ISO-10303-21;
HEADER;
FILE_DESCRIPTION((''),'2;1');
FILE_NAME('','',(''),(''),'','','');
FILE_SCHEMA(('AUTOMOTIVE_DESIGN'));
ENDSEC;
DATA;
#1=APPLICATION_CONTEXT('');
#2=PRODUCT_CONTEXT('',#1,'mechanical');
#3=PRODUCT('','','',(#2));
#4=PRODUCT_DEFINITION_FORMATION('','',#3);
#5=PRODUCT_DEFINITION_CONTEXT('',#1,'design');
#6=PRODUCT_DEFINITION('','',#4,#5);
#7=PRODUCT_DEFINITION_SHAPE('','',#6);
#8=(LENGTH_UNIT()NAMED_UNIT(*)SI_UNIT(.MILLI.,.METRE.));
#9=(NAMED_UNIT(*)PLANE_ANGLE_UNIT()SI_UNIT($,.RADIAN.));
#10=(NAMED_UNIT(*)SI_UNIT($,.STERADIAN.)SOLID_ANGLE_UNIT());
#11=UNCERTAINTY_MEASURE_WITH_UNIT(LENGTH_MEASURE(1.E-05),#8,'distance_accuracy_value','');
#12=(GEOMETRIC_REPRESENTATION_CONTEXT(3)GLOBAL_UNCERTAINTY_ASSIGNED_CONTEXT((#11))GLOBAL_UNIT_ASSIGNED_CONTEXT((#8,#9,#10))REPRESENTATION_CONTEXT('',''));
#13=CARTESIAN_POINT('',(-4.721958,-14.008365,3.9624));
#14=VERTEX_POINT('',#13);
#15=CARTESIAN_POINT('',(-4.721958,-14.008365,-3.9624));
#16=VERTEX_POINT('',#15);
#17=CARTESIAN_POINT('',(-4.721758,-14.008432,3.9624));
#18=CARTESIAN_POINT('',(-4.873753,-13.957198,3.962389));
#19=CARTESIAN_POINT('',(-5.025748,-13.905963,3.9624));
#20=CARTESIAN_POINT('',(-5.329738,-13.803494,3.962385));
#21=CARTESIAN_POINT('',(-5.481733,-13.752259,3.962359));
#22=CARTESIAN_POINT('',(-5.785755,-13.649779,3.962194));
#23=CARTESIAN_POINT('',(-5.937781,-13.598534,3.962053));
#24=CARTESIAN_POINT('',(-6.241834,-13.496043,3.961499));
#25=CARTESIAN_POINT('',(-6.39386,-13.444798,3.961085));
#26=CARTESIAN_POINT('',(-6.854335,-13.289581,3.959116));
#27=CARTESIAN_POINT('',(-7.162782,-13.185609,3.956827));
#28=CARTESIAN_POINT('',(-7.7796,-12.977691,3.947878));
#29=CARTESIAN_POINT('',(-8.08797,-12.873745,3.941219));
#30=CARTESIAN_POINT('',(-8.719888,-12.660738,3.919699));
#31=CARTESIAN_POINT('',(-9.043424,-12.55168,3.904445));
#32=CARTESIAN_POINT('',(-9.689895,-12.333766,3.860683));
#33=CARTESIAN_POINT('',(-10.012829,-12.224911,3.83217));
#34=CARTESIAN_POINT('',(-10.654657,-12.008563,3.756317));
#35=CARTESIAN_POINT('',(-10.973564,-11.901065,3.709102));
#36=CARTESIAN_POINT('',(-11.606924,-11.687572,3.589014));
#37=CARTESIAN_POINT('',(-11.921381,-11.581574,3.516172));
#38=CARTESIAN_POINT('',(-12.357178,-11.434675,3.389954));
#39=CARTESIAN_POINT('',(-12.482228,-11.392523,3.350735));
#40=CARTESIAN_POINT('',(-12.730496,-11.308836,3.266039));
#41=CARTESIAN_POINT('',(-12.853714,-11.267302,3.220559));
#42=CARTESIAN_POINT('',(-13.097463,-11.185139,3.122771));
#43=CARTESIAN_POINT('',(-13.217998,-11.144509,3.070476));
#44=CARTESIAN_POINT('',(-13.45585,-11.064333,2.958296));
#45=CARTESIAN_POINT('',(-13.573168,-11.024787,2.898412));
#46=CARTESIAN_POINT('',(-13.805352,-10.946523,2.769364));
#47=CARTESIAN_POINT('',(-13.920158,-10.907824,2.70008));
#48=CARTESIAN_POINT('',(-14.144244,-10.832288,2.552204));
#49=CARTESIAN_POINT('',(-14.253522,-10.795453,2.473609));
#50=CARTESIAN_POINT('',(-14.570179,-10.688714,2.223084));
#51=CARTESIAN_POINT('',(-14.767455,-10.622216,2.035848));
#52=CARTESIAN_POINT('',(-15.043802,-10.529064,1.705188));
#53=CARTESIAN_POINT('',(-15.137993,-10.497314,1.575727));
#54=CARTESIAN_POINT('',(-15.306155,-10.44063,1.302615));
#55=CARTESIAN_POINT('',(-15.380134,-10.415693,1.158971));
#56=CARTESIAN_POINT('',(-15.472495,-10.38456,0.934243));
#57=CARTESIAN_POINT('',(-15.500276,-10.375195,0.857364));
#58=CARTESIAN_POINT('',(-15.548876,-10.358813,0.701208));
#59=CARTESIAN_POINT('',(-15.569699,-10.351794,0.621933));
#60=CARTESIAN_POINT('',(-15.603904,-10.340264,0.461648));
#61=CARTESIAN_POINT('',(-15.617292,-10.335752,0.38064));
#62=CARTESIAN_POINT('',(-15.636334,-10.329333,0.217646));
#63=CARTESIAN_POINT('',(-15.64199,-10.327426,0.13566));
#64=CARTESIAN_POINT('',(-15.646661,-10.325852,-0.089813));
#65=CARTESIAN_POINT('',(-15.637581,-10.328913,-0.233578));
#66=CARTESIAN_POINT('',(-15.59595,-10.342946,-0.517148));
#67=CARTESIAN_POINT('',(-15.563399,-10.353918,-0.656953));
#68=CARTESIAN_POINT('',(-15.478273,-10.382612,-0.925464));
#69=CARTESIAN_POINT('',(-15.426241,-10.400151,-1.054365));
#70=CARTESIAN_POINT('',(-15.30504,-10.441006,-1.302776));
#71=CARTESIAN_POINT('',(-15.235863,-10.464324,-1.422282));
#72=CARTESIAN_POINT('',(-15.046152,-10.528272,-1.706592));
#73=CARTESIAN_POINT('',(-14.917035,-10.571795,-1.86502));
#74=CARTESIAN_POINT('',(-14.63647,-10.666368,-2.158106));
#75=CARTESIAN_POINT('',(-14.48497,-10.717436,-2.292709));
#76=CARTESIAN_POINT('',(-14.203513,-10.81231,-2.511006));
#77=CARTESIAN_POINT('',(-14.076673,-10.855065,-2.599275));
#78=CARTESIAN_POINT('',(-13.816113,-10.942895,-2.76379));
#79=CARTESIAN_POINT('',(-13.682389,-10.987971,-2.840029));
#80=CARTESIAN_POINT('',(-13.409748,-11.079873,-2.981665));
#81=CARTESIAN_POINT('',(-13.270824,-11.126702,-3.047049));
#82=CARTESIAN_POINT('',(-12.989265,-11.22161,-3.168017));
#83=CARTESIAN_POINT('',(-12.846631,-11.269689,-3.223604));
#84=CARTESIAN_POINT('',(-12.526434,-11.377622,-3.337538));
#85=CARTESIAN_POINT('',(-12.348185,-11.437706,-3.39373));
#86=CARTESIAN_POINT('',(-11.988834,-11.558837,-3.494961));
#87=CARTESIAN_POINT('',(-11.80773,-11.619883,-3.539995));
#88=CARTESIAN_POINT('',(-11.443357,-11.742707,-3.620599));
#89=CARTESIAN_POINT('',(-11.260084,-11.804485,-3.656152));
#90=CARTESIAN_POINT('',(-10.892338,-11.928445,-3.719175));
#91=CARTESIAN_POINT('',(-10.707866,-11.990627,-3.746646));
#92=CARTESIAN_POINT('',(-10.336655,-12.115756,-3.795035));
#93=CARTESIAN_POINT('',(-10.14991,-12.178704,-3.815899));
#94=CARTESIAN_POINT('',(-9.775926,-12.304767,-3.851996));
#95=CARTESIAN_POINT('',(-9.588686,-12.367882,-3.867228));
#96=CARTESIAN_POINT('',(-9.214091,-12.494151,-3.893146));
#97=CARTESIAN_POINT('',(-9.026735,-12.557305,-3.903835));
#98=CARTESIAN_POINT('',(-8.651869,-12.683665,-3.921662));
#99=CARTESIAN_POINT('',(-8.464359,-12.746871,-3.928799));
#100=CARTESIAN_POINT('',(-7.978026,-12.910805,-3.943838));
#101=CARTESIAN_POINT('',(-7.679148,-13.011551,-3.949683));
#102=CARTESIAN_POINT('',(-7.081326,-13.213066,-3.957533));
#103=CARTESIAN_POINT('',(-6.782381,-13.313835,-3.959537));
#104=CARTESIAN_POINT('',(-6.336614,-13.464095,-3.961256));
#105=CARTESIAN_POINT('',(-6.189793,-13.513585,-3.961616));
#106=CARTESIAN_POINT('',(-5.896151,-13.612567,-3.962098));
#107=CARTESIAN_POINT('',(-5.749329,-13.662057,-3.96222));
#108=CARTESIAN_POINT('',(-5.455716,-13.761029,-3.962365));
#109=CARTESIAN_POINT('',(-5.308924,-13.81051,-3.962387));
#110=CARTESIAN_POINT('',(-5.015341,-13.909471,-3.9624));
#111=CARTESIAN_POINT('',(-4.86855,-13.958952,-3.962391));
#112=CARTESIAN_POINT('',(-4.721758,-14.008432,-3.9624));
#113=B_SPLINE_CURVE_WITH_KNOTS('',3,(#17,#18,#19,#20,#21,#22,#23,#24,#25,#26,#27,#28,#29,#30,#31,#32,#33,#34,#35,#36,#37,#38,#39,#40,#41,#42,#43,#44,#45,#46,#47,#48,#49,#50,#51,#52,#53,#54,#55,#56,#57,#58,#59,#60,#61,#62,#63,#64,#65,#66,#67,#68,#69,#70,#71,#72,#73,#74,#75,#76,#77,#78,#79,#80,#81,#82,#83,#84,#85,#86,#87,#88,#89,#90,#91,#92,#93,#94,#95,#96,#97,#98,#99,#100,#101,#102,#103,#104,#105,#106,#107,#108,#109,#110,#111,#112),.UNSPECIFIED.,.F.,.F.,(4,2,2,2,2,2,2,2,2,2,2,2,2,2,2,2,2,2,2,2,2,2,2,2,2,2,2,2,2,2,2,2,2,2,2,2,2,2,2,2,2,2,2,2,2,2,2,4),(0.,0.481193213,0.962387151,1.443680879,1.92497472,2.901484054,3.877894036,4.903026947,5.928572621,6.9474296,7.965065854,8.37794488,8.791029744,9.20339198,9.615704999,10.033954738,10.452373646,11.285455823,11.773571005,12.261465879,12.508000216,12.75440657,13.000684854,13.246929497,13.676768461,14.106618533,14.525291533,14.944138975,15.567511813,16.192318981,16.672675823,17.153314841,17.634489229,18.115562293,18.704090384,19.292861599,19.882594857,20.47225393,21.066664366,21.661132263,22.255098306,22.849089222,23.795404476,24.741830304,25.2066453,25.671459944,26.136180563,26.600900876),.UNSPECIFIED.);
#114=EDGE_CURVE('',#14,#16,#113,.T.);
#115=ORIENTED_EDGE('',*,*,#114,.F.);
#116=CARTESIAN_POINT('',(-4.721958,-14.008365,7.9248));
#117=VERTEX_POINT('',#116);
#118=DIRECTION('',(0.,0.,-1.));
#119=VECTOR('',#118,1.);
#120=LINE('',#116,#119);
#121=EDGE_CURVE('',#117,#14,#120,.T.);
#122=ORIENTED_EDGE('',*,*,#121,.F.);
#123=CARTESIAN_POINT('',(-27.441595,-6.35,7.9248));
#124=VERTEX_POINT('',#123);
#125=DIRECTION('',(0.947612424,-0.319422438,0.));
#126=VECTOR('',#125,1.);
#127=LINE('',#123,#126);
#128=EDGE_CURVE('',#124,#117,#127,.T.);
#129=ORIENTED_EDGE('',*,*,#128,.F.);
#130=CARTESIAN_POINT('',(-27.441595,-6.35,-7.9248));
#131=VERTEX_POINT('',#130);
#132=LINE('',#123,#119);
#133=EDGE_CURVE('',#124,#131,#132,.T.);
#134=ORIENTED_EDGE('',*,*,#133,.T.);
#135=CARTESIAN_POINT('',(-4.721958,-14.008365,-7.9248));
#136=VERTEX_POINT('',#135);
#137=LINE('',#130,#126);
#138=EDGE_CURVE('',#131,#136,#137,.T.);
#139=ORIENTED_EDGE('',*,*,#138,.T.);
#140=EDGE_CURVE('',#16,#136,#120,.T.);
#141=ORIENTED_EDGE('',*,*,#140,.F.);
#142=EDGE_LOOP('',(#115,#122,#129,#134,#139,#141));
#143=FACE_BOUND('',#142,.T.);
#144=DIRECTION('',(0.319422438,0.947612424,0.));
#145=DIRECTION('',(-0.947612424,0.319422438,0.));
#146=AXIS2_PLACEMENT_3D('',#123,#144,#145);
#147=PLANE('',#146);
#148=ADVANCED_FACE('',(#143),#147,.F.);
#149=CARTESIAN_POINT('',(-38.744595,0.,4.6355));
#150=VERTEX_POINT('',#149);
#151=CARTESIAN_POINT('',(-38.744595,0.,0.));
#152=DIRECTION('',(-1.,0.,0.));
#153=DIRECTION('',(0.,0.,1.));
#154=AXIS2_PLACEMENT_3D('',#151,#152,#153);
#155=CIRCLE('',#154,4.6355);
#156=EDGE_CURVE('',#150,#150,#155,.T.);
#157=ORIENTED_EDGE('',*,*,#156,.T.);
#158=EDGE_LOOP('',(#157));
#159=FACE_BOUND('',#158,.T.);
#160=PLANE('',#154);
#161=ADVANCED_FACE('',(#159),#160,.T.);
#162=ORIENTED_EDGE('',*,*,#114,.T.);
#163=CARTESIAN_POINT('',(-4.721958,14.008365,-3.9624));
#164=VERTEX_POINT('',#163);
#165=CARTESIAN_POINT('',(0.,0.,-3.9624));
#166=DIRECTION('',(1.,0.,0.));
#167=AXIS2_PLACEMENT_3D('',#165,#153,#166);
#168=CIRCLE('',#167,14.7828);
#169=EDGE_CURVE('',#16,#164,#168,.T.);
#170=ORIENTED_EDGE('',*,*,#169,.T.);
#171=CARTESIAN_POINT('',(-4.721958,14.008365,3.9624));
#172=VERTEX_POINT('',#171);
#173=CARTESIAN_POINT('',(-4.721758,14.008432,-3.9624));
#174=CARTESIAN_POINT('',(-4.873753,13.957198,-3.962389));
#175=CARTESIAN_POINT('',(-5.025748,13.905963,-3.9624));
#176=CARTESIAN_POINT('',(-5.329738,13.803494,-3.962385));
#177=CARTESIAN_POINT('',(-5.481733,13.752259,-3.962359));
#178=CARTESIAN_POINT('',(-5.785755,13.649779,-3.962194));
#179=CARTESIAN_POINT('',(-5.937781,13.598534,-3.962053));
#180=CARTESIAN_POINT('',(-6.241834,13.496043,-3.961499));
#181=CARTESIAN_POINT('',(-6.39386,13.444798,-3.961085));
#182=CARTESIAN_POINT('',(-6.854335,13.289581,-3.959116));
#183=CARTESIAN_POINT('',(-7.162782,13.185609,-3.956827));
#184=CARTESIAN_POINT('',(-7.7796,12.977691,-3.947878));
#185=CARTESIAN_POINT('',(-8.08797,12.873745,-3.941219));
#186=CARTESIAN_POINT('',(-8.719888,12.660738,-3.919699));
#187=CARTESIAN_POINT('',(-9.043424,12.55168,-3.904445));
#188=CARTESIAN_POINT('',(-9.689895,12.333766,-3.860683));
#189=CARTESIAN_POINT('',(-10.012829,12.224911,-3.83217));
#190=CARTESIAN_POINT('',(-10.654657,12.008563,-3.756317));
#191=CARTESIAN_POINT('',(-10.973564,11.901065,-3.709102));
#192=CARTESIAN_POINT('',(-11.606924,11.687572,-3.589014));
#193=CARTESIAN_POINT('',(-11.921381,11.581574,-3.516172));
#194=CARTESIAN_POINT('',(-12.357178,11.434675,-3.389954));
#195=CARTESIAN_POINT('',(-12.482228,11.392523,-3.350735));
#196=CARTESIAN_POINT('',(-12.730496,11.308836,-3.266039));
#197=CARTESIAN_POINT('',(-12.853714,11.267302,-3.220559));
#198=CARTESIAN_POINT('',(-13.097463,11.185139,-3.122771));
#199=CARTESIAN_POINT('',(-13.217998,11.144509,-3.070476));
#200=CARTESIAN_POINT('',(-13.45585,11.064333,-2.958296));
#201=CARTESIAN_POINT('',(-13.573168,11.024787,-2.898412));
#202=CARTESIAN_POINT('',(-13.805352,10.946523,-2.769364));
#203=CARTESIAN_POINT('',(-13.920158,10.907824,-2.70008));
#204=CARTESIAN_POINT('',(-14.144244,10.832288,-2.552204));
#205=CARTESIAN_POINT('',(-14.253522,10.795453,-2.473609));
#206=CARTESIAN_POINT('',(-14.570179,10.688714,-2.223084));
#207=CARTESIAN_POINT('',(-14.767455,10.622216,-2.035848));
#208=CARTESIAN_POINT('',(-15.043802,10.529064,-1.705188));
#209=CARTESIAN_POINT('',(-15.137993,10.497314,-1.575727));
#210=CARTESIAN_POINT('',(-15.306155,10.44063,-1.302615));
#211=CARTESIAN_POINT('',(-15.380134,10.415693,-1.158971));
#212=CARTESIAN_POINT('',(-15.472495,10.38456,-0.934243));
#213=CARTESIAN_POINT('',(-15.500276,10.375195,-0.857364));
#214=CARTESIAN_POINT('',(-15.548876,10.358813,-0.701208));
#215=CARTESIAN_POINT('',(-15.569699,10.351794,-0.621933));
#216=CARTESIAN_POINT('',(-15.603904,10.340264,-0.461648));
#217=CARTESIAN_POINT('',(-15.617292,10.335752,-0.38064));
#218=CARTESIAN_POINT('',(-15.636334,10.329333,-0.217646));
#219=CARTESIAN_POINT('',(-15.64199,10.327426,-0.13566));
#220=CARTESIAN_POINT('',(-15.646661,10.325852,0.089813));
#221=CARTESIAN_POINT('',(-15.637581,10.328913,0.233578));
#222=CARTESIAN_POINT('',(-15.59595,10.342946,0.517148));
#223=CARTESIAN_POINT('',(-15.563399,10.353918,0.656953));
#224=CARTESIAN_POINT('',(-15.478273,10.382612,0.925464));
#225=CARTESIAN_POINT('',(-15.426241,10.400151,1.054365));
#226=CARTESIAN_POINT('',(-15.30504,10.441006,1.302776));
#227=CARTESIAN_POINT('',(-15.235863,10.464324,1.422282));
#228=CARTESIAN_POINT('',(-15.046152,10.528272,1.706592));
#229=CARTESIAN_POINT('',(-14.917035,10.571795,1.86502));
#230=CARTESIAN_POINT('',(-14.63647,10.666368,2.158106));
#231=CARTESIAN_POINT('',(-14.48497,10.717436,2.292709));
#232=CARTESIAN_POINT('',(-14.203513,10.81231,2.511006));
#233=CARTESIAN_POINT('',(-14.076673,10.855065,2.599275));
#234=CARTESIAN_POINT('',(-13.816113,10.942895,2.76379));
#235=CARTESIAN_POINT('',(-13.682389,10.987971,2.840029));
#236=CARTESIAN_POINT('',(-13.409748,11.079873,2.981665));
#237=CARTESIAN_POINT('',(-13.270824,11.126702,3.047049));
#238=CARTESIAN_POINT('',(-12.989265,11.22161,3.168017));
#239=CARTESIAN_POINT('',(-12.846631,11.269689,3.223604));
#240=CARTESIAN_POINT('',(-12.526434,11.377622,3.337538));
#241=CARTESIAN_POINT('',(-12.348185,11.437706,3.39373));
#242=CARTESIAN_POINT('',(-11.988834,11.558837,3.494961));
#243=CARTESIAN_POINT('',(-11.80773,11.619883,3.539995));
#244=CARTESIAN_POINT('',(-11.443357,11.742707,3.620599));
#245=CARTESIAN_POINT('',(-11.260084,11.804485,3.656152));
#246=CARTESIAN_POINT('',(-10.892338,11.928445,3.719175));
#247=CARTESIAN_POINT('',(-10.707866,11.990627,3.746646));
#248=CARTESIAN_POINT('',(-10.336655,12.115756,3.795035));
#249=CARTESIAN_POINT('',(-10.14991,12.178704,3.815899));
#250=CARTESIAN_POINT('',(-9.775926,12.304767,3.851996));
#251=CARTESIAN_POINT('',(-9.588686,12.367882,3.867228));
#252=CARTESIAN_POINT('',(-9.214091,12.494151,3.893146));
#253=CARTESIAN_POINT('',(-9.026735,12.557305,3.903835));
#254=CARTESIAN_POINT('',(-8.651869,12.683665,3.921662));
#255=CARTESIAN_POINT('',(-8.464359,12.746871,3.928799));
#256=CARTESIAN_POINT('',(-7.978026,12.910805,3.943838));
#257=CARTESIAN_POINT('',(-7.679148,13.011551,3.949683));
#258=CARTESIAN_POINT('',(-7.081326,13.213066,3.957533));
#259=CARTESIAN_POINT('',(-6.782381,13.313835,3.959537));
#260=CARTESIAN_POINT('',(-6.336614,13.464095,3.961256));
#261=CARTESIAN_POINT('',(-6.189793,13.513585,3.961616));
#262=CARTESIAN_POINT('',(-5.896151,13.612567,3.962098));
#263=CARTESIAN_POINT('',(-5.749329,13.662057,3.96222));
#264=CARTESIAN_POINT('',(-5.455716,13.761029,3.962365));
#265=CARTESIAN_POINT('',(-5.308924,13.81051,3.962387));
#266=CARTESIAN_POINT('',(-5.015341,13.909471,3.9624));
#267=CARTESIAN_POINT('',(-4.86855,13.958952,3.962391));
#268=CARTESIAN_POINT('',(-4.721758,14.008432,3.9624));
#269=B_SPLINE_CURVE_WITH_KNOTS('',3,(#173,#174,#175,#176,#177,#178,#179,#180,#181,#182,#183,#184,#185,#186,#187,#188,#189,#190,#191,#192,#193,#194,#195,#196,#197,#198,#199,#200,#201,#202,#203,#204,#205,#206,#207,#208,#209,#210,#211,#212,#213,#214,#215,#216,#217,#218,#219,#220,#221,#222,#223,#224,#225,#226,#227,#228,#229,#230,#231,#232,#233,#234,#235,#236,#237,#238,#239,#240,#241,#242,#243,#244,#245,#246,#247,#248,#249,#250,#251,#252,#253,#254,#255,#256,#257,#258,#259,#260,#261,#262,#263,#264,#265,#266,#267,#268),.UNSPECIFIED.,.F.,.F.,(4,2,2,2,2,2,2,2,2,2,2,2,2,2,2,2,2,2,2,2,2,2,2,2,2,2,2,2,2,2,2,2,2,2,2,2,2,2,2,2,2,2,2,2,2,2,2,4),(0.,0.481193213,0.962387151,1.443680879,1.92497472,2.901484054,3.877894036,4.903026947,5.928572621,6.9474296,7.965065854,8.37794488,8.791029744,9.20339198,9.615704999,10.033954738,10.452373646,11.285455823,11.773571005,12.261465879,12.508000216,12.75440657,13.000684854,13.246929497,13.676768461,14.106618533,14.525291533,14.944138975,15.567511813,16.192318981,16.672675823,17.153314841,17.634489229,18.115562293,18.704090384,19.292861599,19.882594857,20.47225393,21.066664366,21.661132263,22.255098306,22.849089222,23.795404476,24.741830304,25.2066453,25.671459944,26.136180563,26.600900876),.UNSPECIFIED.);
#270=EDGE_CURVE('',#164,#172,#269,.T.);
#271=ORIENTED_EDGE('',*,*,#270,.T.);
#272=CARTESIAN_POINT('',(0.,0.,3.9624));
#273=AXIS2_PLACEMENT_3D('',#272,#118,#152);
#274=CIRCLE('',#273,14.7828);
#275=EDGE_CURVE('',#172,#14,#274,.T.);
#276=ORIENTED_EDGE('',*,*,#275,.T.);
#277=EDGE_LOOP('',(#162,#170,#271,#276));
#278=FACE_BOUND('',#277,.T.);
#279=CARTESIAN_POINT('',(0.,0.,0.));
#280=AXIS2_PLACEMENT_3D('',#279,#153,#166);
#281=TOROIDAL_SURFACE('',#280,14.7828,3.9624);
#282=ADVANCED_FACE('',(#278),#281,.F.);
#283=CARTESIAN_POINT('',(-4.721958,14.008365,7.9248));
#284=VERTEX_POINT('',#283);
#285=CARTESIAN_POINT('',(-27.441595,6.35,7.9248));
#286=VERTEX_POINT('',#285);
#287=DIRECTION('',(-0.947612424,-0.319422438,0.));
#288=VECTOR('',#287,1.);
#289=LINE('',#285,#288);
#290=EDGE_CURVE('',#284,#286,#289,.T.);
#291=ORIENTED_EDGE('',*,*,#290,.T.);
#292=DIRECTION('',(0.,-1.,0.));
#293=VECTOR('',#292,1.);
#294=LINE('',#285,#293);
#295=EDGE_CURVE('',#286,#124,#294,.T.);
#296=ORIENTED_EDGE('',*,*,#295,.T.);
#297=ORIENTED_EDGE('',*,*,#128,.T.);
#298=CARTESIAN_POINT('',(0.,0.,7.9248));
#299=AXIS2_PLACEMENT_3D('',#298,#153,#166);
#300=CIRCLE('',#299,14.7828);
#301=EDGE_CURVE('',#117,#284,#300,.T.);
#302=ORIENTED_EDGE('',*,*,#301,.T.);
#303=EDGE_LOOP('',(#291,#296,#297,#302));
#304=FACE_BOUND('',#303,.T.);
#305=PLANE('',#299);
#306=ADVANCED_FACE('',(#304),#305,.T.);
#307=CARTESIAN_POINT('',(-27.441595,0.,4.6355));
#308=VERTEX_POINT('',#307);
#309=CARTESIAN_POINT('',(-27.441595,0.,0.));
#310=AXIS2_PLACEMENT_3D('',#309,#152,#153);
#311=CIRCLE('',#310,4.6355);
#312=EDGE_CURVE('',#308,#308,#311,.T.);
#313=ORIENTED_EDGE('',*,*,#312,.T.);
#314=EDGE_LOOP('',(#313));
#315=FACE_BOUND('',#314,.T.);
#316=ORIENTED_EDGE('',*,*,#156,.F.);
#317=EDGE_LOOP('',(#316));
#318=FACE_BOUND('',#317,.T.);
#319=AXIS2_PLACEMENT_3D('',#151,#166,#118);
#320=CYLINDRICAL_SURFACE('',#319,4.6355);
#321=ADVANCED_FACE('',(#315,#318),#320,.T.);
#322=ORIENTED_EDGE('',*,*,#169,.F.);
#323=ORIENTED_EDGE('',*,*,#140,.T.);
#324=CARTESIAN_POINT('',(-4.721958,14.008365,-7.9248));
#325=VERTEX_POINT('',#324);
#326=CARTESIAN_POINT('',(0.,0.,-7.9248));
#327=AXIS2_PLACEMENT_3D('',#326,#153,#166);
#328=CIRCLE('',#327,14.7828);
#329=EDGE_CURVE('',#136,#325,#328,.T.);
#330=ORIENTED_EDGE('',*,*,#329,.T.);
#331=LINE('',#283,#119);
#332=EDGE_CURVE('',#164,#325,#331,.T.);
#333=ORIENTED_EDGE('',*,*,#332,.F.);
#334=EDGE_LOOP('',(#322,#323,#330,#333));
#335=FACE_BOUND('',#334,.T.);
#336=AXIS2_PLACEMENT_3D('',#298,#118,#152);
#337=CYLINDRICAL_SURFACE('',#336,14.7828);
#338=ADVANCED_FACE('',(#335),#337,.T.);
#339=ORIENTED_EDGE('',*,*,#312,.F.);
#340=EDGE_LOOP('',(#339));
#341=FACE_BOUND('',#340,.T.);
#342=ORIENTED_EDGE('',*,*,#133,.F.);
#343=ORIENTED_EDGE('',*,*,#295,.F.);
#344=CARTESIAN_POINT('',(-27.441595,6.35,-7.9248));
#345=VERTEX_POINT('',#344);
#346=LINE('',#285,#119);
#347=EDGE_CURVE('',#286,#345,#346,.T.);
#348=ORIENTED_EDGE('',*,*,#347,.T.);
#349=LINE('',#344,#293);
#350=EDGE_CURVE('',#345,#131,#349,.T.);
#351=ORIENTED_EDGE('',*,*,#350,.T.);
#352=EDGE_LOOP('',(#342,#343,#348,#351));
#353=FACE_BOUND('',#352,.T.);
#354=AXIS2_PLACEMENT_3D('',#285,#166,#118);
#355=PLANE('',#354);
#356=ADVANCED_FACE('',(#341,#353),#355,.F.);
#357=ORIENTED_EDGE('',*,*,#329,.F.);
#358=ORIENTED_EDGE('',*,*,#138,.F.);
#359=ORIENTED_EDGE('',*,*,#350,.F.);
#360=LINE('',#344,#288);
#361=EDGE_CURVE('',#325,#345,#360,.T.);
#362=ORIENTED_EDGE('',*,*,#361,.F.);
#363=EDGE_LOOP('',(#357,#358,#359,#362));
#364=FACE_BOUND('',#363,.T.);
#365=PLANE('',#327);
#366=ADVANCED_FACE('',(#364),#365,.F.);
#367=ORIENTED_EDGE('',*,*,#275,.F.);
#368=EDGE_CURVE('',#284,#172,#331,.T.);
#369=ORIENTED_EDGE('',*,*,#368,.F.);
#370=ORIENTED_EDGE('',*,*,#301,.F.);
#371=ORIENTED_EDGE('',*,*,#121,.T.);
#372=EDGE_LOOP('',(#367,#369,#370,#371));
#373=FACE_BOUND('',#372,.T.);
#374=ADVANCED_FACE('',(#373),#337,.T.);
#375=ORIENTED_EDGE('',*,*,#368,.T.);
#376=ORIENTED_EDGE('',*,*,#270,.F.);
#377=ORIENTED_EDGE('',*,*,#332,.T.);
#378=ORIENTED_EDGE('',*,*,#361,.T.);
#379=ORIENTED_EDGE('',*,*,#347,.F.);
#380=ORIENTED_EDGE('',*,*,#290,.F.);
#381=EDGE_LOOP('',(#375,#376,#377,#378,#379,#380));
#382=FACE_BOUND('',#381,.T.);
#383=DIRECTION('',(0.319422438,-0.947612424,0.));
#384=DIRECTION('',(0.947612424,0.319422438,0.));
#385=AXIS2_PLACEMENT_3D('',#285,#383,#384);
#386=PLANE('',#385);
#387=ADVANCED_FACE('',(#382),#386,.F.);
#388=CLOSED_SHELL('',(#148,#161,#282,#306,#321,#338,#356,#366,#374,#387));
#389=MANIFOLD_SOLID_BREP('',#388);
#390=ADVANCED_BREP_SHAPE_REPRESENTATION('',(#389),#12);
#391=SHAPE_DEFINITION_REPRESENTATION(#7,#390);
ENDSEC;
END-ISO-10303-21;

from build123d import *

# Parameters (mm, degrees)
BOSS_EXTRUDE1_DEPTH = 7.9248
SKETCH2_R           = 4.6355
BOSS_EXTRUDE2_DEPTH = 11.303
SKETCH6_R           = 3.9624


with BuildPart() as part:
    # Sketch1 → Boss-Extrude1 (new body, symmetric)
    with BuildSketch(Plane.XY):
        with BuildLine():
            Line((-27.441594764, 6.35), (-27.441594764, -6.35))
            Line((-27.441594764, -6.35), (-4.72195802, -14.00836494))
            ThreePointArc((-4.72195802, -14.00836494), (14.7828, 0), (-4.72195802, 14.00836494))
            Line((-4.72195802, 14.00836494), (-27.441594764, 6.35))
        make_face()
    extrude(amount=BOSS_EXTRUDE1_DEPTH, both=True)

    # Sketch2 → Boss-Extrude2 (add)
    with BuildSketch(Plane.ZY.offset(27.441594764)):
        Circle(SKETCH2_R)
    extrude(amount=BOSS_EXTRUDE2_DEPTH)

    # Sketch6 → Cut-Revolve1 (revolve, cut)
    with BuildSketch(Plane(origin=(0, 0, 0), x_dir=(0, 0, -1), z_dir=(1, 0, 0))):
        with Locations((0, 14.7828)):
            Circle(SKETCH6_R)
    revolve(axis=Axis((0, 0, 0), (0, 0, -1)), mode=Mode.SUBTRACT)


solid = part.part
